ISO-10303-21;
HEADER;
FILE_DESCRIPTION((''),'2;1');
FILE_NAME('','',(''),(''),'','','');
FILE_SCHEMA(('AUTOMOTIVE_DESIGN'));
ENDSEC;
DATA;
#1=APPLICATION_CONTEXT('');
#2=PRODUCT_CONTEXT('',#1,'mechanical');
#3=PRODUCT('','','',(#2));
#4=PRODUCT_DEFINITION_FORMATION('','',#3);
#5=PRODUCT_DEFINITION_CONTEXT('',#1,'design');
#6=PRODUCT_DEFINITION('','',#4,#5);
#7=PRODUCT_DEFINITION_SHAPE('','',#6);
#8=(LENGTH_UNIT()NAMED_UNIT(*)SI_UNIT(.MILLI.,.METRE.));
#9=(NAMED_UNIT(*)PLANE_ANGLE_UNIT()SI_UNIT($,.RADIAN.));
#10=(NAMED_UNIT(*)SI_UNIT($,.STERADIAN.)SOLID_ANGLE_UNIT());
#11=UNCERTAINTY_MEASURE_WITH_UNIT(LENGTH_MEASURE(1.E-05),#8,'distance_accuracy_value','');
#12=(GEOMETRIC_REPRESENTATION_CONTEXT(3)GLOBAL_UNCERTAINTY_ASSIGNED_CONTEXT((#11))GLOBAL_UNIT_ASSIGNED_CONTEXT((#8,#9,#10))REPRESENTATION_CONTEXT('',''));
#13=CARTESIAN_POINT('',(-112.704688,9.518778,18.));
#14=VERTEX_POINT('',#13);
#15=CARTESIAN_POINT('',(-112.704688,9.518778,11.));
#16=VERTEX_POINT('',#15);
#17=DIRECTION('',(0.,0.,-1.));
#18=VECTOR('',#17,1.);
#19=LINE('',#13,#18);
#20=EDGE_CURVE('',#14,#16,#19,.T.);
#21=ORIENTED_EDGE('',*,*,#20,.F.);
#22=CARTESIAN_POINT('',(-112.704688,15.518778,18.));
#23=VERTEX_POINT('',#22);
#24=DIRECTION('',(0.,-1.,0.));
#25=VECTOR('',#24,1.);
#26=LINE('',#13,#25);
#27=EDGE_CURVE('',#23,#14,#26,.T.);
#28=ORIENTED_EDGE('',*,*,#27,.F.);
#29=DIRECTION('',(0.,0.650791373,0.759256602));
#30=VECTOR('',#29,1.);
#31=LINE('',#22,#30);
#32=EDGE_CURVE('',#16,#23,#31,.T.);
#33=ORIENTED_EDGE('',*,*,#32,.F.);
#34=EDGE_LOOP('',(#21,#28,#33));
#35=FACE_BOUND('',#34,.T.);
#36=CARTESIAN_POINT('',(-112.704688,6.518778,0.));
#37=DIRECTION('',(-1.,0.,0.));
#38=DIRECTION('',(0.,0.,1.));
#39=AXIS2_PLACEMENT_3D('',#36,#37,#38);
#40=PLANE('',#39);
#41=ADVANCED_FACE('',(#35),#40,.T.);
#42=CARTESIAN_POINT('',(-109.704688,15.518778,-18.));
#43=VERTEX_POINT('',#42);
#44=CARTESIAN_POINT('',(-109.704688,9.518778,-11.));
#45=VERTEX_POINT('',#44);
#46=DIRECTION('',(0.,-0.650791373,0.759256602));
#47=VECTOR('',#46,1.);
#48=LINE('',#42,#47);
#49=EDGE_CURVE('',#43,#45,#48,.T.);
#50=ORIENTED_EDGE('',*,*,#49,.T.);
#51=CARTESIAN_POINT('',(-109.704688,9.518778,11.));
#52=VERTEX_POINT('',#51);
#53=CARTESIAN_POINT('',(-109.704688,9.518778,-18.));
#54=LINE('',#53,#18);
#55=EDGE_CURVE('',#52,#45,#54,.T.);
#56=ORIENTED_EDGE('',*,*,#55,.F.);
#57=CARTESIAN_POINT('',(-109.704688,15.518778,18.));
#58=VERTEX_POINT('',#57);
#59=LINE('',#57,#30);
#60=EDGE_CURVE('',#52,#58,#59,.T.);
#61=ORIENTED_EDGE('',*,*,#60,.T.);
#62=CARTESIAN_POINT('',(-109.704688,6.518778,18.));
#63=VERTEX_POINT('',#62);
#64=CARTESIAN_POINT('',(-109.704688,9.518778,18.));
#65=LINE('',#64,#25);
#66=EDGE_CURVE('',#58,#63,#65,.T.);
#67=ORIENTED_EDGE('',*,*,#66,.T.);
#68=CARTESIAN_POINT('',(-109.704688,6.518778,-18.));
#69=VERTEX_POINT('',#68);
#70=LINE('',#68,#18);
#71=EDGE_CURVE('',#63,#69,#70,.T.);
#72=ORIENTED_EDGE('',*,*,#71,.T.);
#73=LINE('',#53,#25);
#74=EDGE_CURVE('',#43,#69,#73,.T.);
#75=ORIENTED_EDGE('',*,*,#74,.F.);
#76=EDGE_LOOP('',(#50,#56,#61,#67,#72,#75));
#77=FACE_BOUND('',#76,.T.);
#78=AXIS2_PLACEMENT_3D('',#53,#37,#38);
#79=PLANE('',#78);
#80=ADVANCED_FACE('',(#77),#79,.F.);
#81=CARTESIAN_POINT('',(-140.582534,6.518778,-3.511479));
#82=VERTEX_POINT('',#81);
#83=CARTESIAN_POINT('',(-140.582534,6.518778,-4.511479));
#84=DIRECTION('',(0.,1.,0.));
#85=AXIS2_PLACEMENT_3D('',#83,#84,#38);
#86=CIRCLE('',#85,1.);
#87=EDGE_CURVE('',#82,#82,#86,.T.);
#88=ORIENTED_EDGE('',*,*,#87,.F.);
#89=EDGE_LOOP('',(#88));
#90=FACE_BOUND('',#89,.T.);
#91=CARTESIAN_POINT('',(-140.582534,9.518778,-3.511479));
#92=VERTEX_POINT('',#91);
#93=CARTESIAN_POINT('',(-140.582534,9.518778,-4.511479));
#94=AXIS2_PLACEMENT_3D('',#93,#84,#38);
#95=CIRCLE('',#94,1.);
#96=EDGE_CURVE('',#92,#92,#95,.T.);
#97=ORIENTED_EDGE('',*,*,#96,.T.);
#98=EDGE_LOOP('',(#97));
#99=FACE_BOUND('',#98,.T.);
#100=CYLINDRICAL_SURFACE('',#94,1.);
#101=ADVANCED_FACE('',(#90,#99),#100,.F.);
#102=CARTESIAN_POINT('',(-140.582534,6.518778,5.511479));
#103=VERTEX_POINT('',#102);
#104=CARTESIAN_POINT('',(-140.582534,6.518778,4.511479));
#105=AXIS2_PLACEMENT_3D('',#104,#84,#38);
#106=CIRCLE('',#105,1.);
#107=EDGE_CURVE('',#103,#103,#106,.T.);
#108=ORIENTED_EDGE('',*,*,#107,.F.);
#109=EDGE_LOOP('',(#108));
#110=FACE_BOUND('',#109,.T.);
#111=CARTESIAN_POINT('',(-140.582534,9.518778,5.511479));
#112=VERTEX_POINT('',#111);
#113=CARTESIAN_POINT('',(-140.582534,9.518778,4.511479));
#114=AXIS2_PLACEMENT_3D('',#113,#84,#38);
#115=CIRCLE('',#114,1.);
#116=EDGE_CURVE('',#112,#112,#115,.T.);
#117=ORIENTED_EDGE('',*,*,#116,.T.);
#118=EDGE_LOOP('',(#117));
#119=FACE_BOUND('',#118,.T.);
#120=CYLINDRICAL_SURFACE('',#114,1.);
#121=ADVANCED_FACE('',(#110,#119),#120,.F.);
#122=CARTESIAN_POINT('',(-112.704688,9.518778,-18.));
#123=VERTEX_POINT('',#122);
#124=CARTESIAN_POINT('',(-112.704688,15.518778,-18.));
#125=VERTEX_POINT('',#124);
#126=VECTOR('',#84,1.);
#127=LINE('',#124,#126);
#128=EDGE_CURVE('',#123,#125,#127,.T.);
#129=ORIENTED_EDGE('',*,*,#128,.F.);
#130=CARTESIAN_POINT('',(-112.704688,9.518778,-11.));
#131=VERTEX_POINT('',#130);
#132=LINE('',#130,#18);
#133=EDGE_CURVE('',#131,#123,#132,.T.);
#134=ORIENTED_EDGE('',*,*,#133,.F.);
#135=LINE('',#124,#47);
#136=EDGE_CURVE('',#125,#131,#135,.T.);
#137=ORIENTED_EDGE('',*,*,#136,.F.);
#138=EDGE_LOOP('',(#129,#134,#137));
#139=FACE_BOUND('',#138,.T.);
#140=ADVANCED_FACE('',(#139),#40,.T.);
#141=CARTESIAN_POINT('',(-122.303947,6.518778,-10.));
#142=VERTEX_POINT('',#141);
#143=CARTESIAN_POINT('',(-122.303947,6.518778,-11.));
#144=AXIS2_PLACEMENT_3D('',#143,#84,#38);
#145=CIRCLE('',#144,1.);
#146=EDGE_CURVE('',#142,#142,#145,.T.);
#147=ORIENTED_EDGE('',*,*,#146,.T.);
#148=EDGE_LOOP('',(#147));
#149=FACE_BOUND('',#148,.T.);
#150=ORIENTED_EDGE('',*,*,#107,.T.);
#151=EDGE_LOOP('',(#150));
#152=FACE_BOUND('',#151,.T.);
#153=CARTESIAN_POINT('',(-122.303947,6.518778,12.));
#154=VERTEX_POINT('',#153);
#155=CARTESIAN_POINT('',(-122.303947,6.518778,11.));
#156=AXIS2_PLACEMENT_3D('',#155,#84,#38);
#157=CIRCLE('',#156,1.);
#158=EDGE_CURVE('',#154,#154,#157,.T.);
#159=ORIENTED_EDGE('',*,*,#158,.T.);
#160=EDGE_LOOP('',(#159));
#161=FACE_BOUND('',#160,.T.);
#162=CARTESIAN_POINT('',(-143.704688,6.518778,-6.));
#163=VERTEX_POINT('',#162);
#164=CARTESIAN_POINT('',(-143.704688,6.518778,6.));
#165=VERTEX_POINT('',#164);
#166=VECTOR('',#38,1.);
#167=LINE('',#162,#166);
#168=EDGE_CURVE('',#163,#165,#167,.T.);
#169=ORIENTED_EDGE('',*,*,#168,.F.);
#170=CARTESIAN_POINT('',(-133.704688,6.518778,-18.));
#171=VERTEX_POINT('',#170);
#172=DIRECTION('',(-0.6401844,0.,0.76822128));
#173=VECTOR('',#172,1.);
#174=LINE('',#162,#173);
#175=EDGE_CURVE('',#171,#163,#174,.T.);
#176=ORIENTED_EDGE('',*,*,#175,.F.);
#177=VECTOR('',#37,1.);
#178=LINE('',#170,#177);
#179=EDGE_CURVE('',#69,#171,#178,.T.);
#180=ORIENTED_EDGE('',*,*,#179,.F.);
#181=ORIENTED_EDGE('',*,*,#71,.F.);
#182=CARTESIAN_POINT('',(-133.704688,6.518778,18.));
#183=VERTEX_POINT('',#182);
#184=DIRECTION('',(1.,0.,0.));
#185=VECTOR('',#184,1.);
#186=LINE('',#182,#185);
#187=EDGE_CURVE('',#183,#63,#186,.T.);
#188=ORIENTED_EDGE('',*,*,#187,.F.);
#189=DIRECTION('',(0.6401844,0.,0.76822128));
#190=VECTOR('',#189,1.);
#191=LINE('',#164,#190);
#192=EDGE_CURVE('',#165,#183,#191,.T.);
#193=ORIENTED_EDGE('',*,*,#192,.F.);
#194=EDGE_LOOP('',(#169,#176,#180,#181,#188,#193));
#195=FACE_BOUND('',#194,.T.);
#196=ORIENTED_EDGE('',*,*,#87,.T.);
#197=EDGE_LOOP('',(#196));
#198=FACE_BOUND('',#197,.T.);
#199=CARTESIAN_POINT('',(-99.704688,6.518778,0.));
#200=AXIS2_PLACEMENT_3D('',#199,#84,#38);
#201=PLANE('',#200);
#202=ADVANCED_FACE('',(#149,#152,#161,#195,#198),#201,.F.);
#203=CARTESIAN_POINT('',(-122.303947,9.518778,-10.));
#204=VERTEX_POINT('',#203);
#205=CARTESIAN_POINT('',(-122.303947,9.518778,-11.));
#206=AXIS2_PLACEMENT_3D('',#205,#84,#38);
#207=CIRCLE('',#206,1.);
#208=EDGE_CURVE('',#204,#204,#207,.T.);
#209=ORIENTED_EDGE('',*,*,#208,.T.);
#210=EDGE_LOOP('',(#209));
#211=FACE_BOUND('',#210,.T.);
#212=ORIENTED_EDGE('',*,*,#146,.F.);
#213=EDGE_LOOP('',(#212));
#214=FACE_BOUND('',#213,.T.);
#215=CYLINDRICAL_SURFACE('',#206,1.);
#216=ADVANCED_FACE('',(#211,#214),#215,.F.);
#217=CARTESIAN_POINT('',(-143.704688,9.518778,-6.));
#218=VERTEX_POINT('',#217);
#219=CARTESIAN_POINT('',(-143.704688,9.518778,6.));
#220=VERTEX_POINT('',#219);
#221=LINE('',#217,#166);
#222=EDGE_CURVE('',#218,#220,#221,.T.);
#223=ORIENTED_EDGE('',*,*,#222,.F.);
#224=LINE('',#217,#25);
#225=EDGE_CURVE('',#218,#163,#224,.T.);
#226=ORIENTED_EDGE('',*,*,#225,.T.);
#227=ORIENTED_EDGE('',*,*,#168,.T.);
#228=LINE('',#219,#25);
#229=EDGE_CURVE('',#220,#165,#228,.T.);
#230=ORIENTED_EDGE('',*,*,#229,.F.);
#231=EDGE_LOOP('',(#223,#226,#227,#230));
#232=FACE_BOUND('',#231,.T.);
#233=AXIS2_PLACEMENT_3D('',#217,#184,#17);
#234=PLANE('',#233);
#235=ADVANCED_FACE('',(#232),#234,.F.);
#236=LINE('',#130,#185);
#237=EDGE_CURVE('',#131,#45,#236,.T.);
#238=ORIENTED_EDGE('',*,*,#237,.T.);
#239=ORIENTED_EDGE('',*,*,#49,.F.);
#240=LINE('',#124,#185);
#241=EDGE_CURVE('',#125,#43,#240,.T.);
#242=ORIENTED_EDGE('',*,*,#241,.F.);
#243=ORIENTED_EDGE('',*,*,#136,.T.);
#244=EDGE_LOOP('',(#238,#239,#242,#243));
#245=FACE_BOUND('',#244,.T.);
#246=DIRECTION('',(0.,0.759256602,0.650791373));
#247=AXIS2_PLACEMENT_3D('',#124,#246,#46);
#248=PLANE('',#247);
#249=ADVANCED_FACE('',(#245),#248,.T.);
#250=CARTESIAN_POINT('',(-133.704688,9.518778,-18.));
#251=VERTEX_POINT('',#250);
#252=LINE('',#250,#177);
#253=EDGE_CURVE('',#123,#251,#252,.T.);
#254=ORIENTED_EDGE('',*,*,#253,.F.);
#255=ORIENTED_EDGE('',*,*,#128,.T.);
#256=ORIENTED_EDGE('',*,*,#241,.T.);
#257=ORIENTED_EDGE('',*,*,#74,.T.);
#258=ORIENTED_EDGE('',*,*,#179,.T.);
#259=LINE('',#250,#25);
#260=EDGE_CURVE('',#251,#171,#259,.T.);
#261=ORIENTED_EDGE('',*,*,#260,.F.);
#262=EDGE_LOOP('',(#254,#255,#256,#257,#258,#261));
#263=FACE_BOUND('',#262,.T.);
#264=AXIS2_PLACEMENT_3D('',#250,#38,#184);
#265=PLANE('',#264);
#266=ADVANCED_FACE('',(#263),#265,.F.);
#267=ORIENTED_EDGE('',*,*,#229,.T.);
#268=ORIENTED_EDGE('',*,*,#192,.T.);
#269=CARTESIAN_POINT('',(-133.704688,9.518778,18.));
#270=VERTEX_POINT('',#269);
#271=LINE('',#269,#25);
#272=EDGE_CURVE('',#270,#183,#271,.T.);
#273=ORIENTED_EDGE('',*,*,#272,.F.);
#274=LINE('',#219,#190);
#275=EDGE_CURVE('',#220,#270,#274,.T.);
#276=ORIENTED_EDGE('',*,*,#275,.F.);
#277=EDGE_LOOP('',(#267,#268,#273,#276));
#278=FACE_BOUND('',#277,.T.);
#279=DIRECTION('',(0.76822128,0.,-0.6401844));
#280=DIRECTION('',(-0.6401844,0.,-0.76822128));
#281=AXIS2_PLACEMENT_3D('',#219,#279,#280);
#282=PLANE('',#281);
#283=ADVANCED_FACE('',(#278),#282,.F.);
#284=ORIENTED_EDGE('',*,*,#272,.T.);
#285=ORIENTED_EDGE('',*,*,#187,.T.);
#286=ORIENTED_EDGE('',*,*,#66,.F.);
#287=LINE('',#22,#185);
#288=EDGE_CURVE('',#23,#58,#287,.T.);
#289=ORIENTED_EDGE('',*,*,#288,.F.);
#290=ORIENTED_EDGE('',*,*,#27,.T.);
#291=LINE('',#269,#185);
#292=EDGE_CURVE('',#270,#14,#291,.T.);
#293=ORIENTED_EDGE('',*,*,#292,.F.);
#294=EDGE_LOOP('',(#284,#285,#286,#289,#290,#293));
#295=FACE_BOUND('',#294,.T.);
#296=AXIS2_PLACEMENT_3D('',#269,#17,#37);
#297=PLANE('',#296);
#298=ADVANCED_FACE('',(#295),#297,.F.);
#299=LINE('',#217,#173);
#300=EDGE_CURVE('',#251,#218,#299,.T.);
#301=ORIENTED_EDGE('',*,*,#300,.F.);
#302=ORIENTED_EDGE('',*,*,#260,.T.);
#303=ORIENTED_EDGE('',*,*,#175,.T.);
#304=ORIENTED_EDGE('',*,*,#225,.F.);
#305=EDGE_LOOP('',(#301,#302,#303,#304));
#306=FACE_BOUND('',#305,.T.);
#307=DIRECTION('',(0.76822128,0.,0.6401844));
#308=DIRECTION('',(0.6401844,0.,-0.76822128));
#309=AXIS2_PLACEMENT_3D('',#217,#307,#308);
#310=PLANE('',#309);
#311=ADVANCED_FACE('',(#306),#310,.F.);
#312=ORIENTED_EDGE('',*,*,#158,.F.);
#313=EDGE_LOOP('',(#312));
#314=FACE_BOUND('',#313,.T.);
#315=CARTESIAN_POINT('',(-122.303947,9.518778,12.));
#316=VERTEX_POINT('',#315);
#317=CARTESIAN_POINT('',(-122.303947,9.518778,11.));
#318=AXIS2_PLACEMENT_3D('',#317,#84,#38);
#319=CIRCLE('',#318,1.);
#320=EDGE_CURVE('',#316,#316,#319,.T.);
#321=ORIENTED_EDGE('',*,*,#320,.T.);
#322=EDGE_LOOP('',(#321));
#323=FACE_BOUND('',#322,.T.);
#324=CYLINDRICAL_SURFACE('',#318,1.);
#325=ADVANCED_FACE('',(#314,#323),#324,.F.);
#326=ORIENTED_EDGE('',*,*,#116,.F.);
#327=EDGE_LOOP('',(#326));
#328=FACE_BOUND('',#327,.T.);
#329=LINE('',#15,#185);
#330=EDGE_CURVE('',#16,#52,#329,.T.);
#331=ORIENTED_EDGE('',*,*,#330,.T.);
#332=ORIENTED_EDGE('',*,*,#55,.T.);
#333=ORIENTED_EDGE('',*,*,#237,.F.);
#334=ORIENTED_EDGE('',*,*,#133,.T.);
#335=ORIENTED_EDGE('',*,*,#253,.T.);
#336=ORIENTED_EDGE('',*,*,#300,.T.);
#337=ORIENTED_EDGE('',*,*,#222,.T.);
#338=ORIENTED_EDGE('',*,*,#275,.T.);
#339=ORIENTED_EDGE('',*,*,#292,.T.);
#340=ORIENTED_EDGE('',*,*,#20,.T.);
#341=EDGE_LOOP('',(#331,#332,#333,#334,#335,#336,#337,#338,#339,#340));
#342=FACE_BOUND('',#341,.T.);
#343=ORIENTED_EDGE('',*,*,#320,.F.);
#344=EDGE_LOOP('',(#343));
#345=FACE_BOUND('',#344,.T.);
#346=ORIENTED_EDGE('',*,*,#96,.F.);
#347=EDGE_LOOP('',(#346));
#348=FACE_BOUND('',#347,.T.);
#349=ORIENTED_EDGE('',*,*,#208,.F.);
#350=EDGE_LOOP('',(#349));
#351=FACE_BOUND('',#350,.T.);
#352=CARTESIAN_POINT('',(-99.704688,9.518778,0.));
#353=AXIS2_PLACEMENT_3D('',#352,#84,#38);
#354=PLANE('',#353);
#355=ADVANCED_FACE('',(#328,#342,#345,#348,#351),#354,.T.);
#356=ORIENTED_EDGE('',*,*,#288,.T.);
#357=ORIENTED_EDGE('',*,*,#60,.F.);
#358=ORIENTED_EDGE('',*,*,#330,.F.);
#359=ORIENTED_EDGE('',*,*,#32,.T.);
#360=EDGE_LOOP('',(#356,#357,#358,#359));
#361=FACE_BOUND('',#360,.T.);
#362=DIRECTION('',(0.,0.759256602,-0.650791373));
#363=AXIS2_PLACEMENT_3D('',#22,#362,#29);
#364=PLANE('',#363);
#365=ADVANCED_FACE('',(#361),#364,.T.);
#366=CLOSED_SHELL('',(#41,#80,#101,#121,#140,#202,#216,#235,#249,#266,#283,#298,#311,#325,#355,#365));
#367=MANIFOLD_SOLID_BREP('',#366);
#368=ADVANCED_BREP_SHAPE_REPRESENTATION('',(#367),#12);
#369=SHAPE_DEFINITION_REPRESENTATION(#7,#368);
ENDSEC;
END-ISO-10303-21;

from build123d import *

# Parameters (mm, degrees)
BOSS_EXTRUDE1_DEPTH   = 15
F_1_0MM_DOWEL_HOLE1_D = 10
BOSS_EXTRUDE2_DEPTH   = 15
ESCALA1_SCALE         = 0.2


with BuildPart() as part:
    # Sketch2 → Boss-Extrude1 (new body)
    with BuildSketch(Plane(origin=(0, 0, 0), x_dir=(1, 0, 0), z_dir=(0, 1, 0))):
        Polygon((-220, 30), (-220, -30), (-170, -90), (-50, -90), (-50, 90), (-170, 90), align=None)
    extrude(amount=BOSS_EXTRUDE1_DEPTH)

    # Ø1.0mm Dowel Hole1 (through all)
    with Locations(Plane(origin=(0, 15, 0), x_dir=(1, 0, 0), z_dir=(0, 1, 0))):
        with Locations((-204.389232105, 22.557395049), (-204.389232105, -22.557395049), (-112.996294866, 55), (-112.996294866, -55)):
            Hole(F_1_0MM_DOWEL_HOLE1_D / 2)

    # Sketch5 → Boss-Extrude2 (add)
    with BuildSketch(Plane(origin=(-50, 0, 0), x_dir=(0, 0, -1), z_dir=(1, 0, 0))):
        Polygon((-90, 15), (-55, 15), (-90, 45), align=None)
        Polygon((90, 45), (90, 15), (55, 15), align=None)
    extrude(amount=-BOSS_EXTRUDE2_DEPTH)


with BuildPart() as part_1:
    # Escala1: scaled about (-124.630859944, 8.148472024, 0)
    add(part.part.scale(ESCALA1_SCALE).moved(Location((-99.704687955, 6.518777619, 0))))


solid = part_1.part
